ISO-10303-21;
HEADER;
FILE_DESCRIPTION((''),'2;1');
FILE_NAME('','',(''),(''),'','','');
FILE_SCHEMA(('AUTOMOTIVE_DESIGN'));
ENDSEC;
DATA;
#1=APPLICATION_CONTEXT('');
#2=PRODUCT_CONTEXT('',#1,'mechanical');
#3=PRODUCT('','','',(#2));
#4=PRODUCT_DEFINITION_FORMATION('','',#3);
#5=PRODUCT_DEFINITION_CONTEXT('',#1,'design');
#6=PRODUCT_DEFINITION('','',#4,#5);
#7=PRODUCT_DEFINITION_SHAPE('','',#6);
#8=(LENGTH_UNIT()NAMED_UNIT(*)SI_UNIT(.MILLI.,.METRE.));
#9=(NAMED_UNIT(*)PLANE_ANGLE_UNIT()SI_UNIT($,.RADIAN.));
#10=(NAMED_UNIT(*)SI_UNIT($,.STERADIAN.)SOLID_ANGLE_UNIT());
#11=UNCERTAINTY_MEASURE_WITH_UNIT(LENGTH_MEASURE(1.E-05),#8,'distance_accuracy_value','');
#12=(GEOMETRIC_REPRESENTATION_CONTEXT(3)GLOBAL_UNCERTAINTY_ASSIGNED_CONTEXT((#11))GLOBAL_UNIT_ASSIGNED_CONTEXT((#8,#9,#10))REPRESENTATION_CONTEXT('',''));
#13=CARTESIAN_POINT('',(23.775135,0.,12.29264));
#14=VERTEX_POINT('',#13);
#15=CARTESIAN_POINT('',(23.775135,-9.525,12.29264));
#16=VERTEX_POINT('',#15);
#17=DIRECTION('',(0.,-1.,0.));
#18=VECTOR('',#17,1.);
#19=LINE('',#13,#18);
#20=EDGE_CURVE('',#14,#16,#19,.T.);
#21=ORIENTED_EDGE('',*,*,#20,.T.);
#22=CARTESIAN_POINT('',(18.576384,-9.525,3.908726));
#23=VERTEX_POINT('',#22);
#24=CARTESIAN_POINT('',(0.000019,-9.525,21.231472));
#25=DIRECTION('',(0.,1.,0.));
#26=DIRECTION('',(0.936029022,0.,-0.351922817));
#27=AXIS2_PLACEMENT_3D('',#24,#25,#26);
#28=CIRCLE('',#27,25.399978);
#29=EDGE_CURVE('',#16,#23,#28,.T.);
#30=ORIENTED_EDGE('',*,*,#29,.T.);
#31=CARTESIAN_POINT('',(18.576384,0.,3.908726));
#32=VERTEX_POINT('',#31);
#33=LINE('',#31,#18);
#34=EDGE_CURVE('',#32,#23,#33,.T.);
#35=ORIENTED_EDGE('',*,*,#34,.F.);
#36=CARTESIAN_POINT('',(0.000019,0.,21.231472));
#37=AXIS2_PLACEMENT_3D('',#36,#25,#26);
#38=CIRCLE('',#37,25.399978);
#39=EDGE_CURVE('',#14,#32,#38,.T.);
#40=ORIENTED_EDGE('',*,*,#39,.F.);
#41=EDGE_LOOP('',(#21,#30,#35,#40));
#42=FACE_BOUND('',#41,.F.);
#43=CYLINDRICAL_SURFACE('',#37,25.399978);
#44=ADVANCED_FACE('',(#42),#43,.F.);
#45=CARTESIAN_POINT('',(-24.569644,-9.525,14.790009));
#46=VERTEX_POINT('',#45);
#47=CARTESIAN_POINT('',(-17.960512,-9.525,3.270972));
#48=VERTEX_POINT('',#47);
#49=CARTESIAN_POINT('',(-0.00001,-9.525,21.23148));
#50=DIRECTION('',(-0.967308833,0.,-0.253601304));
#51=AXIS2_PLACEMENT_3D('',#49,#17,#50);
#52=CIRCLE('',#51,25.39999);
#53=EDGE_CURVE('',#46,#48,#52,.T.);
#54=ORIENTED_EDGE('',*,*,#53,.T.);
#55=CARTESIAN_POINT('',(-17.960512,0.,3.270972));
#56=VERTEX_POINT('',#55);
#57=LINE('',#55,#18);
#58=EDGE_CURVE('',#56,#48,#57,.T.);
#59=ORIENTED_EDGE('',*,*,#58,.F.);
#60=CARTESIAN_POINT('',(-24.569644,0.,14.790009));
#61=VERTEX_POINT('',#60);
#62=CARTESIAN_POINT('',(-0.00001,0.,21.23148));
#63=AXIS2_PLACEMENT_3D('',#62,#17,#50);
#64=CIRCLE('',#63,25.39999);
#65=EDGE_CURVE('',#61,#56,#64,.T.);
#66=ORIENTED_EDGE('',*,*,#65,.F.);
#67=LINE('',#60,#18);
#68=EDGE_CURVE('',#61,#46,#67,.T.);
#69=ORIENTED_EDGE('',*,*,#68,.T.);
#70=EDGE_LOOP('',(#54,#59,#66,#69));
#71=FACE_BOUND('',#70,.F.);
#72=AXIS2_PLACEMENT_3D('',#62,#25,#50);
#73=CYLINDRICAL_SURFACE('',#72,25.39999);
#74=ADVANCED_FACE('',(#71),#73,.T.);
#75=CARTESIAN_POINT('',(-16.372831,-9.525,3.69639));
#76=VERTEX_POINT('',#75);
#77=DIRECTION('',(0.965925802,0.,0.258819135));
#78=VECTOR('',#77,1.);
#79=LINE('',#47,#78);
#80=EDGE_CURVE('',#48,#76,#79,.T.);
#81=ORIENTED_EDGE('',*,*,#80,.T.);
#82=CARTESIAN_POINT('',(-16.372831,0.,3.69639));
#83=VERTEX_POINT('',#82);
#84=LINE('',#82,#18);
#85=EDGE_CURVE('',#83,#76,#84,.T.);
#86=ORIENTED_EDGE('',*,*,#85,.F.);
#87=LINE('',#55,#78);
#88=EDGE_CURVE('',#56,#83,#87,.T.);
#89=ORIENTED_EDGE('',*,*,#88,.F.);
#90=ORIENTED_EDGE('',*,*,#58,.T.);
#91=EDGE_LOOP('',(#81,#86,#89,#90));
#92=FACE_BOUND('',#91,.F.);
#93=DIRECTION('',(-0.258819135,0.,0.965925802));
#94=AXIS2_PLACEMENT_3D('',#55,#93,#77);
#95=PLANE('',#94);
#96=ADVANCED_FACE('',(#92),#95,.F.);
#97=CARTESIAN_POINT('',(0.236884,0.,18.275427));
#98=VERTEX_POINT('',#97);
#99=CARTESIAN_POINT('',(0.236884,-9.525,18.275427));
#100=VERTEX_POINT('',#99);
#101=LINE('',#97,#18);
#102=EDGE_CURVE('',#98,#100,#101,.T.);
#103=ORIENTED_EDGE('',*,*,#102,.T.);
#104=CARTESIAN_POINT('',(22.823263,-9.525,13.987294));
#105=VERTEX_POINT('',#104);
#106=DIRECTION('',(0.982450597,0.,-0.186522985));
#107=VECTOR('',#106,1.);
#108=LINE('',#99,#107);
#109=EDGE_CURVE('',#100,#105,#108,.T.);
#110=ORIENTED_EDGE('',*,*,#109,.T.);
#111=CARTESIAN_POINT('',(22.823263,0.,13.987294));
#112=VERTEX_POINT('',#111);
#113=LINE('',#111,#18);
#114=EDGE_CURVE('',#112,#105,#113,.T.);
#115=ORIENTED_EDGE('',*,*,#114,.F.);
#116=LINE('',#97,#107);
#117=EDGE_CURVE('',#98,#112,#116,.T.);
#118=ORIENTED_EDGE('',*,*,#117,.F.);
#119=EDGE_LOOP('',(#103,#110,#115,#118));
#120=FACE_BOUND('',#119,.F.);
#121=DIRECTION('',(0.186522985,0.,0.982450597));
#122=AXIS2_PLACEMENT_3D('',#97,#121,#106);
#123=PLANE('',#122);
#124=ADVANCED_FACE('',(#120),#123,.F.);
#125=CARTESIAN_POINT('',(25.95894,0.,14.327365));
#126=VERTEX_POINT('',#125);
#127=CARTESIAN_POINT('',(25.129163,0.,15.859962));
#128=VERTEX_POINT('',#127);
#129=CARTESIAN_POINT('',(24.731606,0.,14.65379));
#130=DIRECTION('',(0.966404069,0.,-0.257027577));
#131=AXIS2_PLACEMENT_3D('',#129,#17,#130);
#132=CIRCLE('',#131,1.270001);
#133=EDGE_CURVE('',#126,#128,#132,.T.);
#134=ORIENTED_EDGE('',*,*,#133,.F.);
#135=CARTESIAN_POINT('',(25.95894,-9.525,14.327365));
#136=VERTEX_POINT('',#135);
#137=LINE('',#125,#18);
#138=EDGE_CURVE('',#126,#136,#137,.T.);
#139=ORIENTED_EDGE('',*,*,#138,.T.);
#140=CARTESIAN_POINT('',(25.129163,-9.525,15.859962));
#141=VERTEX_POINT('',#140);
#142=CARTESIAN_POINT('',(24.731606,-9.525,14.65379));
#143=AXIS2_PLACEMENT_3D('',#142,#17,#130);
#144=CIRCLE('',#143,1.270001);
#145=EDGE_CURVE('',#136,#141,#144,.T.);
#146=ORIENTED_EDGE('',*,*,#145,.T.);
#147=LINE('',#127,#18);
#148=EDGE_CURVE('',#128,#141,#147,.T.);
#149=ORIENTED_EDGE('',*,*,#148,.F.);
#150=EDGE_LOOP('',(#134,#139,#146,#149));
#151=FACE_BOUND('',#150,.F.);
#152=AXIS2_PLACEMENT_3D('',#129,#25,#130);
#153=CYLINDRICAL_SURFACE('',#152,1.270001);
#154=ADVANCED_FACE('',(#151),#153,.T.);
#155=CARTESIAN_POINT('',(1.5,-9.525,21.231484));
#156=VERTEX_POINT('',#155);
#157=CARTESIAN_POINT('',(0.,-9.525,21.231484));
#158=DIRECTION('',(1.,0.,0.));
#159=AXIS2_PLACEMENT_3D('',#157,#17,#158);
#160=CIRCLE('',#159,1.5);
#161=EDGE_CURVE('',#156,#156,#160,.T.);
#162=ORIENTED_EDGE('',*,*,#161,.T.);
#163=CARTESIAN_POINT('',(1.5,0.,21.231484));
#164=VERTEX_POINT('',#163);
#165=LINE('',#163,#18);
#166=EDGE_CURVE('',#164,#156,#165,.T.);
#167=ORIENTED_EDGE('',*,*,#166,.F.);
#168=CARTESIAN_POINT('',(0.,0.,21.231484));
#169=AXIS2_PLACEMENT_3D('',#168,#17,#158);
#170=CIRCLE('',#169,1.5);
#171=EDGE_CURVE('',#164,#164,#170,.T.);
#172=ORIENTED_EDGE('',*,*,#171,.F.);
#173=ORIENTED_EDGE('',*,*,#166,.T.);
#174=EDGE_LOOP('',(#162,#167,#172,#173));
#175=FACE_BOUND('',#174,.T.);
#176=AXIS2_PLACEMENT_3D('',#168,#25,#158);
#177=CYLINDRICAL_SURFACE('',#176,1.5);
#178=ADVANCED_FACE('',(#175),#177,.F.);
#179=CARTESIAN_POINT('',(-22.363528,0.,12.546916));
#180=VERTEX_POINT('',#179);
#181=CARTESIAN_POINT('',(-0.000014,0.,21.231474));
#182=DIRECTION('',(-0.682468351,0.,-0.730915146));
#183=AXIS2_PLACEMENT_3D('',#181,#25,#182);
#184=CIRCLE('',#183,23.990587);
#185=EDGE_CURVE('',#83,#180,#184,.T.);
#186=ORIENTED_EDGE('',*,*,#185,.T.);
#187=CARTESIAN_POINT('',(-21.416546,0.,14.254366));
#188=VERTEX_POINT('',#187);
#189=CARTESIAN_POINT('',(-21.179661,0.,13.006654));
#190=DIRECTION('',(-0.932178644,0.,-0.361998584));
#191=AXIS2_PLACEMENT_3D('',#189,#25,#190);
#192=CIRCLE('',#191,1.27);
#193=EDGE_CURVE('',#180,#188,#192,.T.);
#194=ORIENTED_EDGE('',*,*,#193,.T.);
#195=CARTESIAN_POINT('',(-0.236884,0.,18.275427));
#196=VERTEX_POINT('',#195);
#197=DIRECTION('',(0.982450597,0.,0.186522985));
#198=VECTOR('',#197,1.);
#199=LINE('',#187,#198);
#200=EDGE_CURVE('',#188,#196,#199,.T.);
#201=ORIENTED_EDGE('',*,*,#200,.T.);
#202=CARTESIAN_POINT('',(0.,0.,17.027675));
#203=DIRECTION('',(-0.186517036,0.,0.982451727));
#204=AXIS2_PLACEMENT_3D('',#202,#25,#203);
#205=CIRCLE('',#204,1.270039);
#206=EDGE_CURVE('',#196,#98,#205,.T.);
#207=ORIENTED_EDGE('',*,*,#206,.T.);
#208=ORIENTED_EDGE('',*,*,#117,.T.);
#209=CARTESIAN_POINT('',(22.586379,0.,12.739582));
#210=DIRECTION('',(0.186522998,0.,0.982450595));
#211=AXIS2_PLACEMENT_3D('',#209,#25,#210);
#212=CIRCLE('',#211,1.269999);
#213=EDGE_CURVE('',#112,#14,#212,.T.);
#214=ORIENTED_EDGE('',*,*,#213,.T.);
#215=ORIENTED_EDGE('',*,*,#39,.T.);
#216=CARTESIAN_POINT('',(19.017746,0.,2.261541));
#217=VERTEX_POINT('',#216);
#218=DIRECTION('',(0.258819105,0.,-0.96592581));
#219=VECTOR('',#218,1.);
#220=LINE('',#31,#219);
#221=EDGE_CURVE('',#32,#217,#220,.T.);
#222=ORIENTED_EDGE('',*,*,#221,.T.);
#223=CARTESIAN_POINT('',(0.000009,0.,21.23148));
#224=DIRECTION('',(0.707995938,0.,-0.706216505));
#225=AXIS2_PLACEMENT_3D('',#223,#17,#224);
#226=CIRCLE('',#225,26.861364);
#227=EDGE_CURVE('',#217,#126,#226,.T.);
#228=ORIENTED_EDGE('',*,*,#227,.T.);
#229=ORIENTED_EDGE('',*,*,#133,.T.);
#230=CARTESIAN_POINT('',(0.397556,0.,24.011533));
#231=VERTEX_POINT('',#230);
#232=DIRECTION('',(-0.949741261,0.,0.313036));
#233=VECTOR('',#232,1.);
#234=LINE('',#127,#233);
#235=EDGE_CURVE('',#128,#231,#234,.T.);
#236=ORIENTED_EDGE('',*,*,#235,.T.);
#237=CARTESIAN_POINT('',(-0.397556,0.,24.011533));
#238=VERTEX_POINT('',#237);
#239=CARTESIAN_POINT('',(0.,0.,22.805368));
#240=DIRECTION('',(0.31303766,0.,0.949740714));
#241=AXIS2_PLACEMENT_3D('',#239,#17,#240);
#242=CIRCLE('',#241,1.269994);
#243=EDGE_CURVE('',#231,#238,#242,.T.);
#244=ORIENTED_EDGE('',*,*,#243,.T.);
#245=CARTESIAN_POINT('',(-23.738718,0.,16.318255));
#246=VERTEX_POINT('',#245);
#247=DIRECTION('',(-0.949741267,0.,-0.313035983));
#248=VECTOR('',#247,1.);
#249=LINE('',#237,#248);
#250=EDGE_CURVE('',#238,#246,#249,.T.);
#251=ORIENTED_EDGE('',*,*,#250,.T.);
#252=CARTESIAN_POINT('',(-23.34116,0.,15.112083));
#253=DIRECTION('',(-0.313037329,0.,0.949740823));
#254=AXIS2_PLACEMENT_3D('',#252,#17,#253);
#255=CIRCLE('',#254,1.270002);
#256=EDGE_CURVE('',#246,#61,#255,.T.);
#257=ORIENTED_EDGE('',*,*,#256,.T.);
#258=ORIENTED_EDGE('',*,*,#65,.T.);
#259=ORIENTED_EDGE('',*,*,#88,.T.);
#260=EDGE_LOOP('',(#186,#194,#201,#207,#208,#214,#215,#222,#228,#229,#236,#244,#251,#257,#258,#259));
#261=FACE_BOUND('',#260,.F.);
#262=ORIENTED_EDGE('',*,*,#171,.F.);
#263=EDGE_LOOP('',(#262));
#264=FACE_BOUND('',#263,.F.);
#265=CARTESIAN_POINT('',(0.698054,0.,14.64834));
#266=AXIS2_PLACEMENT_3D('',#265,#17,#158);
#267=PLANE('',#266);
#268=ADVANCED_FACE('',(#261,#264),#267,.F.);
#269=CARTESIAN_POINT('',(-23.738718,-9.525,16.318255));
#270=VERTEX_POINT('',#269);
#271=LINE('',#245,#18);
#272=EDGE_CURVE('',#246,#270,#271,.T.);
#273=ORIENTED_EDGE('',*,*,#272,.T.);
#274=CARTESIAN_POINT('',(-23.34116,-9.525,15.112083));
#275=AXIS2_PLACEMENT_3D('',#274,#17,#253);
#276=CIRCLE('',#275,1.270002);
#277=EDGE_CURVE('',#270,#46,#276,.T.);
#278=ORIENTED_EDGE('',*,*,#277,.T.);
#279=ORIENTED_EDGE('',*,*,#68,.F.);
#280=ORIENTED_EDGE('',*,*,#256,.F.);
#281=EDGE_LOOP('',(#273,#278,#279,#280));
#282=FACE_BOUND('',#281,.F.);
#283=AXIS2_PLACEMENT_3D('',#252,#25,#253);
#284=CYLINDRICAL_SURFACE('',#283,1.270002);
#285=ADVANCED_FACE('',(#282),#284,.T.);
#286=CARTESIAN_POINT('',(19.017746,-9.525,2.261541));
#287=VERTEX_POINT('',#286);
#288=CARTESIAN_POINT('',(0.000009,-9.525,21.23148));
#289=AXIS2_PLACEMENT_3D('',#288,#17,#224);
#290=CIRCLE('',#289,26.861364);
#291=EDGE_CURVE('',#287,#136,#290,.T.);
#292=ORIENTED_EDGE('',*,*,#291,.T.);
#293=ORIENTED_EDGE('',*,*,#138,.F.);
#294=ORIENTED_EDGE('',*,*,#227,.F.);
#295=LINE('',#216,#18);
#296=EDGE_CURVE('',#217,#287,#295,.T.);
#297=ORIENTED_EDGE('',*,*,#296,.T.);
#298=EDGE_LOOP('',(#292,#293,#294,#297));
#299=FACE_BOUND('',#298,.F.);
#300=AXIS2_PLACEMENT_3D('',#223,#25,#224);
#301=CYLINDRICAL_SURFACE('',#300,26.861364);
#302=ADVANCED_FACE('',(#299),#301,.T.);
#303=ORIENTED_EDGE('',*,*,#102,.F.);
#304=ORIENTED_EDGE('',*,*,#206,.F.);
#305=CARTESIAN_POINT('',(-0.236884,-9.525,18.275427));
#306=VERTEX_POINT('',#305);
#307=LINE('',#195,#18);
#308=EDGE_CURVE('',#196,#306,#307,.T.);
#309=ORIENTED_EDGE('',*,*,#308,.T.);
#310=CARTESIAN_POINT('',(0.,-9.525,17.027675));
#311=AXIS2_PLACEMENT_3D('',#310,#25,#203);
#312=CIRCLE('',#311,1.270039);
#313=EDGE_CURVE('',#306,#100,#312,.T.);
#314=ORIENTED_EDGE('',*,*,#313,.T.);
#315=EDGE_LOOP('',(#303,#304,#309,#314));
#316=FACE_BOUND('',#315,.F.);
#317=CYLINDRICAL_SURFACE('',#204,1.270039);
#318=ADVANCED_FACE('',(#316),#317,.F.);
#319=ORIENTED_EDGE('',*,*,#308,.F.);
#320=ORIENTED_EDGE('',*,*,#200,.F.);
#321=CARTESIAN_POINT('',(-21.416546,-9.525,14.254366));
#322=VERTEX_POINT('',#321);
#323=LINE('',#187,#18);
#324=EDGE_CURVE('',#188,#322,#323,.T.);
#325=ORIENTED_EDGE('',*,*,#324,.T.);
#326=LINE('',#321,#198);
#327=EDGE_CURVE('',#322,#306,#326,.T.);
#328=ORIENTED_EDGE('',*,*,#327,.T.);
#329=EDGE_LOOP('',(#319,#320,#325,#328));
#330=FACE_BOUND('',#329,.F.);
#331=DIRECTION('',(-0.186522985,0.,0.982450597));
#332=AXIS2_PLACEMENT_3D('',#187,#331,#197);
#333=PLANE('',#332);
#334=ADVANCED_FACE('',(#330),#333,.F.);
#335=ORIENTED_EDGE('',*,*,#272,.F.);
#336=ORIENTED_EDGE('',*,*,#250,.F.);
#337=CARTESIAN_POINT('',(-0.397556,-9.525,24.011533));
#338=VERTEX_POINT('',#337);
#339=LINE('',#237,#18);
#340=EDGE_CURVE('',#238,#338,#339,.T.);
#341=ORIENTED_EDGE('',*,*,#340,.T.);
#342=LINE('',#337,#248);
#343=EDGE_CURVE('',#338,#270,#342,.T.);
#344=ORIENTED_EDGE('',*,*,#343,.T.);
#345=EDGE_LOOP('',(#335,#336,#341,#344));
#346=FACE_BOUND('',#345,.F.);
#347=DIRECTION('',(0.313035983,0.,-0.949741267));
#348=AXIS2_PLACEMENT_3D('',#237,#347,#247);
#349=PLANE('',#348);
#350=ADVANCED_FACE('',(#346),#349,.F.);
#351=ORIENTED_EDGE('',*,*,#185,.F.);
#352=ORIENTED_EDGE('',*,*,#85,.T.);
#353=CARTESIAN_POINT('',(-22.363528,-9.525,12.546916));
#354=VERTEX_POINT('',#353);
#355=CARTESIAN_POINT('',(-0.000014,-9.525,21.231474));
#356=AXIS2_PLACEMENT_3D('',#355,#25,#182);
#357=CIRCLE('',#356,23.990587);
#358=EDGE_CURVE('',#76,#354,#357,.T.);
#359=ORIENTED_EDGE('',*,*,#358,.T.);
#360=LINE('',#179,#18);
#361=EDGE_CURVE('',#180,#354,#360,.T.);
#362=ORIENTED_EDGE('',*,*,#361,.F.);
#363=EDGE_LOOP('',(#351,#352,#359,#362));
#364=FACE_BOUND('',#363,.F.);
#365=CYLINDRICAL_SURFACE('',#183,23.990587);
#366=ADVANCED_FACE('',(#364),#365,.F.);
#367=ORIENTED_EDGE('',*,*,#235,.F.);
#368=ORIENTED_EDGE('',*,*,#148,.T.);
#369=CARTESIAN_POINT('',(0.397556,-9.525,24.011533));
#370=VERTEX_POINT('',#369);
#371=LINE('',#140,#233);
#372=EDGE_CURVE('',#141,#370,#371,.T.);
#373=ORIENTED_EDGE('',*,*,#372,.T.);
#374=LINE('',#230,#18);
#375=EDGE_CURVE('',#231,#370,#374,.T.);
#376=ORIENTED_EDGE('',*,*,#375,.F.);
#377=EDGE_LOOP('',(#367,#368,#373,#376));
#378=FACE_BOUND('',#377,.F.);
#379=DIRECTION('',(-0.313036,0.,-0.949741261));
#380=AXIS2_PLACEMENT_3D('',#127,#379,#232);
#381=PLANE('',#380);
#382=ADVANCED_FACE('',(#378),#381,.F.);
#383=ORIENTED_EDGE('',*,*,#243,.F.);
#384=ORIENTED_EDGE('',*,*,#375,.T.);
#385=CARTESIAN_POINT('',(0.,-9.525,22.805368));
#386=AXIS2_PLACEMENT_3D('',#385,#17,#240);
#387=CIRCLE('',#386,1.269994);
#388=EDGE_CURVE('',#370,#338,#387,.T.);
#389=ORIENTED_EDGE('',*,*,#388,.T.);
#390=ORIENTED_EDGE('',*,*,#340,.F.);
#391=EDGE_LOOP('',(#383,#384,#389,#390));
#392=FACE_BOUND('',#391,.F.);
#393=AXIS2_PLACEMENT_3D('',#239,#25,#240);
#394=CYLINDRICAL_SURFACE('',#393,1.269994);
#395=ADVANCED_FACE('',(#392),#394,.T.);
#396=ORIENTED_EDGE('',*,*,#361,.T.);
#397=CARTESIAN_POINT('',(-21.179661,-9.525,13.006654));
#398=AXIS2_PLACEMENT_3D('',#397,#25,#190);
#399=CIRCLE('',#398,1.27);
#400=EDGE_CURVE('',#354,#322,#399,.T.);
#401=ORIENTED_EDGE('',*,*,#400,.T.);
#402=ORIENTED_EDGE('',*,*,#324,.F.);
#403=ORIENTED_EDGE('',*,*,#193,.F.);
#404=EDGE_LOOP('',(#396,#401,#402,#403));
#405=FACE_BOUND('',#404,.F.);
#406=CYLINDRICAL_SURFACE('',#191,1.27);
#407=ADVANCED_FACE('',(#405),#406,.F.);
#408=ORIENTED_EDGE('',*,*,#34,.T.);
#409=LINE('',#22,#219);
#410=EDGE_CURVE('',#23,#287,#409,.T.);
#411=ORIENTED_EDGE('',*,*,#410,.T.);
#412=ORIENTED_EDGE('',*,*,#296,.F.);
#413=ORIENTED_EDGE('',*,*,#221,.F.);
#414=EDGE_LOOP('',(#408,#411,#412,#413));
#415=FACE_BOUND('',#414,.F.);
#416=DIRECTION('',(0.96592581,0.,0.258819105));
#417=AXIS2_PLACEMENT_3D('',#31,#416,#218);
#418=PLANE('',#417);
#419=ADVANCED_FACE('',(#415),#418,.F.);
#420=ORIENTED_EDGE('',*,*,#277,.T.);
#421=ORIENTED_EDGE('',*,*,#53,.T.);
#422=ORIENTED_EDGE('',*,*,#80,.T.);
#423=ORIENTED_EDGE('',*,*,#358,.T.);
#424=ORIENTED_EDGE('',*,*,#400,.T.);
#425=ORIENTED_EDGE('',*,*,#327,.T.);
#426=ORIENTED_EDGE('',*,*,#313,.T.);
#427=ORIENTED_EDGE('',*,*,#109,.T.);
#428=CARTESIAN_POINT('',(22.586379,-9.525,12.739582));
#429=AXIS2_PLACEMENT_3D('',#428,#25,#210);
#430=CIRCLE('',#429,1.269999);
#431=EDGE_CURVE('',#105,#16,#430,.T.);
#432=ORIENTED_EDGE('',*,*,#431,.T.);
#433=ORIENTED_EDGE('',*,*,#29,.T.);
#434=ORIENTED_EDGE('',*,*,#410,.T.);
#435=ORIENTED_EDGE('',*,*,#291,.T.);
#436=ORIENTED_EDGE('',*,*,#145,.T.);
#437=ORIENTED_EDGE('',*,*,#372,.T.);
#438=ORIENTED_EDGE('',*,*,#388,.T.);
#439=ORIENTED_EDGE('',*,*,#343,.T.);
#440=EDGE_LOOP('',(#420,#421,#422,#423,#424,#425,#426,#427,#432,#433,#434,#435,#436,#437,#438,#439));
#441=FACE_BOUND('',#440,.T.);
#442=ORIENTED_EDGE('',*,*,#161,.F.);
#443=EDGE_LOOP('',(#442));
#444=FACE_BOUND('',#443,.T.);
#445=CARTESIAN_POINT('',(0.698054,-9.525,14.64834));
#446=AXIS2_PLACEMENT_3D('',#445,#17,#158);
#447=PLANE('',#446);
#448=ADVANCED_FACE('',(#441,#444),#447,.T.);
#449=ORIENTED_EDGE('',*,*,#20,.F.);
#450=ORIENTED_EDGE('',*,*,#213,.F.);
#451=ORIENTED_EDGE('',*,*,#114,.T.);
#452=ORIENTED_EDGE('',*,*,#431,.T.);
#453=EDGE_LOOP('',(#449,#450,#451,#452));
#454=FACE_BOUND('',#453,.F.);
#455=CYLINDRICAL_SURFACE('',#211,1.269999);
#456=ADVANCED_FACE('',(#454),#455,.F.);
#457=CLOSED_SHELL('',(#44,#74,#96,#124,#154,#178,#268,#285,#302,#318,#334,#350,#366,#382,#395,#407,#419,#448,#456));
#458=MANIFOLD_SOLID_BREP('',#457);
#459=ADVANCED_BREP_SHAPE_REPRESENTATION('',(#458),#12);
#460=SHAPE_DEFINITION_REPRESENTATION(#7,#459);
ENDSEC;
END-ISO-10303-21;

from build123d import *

# Parameters (mm, degrees)
F0_R     = 1.5
F1_DEPTH = 9.525


with BuildPart() as f1:
    # F0 (on Front) → F1 (new body)
    with BuildSketch(Plane.XZ):
        with BuildLine():
            ThreePointArc((-23.738718, 16.318255), (-24.456905, 15.718727), (-24.569644, 14.790009))
            ThreePointArc((-24.569644, 14.790009), (-22.031242, 8.590899), (-17.960512, 3.270972))
            Line((-17.960512, 3.270972), (-16.372831, 3.69639))
            ThreePointArc((-16.372831, 3.69639), (-19.867293, 7.783815), (-22.363528, 12.546916))
            ThreePointArc((-22.363528, 12.546916), (-22.290283, 13.622624), (-21.416546, 14.254366))
            Line((-21.416546, 14.254366), (-0.236884, 18.275427))
            ThreePointArc((-0.236884, 18.275427), (0, 18.297714), (0.236884, 18.275427))
            Line((0.236884, 18.275427), (22.823263, 13.987294))
            ThreePointArc((22.823263, 13.987294), (23.693662, 13.361533), (23.775135, 12.29264))
            ThreePointArc((23.775135, 12.29264), (21.586693, 7.845869), (18.576384, 3.908726))
            Line((18.576384, 3.908726), (19.017746, 2.261541))
            ThreePointArc((19.017746, 2.261541), (23.283505, 7.837014), (25.95894, 14.327365))
            ThreePointArc((25.95894, 14.327365), (25.848423, 15.258457), (25.129163, 15.859962))
            Line((25.129163, 15.859962), (0.397556, 24.011533))
            ThreePointArc((0.397556, 24.011533), (0, 24.075362), (-0.397556, 24.011533))
            Line((-0.397556, 24.011533), (-23.738718, 16.318255))
        make_face()
        with Locations((0, 21.231484)):
            Circle(F0_R, mode=Mode.SUBTRACT)
    extrude(amount=F1_DEPTH)


solid = f1.part
